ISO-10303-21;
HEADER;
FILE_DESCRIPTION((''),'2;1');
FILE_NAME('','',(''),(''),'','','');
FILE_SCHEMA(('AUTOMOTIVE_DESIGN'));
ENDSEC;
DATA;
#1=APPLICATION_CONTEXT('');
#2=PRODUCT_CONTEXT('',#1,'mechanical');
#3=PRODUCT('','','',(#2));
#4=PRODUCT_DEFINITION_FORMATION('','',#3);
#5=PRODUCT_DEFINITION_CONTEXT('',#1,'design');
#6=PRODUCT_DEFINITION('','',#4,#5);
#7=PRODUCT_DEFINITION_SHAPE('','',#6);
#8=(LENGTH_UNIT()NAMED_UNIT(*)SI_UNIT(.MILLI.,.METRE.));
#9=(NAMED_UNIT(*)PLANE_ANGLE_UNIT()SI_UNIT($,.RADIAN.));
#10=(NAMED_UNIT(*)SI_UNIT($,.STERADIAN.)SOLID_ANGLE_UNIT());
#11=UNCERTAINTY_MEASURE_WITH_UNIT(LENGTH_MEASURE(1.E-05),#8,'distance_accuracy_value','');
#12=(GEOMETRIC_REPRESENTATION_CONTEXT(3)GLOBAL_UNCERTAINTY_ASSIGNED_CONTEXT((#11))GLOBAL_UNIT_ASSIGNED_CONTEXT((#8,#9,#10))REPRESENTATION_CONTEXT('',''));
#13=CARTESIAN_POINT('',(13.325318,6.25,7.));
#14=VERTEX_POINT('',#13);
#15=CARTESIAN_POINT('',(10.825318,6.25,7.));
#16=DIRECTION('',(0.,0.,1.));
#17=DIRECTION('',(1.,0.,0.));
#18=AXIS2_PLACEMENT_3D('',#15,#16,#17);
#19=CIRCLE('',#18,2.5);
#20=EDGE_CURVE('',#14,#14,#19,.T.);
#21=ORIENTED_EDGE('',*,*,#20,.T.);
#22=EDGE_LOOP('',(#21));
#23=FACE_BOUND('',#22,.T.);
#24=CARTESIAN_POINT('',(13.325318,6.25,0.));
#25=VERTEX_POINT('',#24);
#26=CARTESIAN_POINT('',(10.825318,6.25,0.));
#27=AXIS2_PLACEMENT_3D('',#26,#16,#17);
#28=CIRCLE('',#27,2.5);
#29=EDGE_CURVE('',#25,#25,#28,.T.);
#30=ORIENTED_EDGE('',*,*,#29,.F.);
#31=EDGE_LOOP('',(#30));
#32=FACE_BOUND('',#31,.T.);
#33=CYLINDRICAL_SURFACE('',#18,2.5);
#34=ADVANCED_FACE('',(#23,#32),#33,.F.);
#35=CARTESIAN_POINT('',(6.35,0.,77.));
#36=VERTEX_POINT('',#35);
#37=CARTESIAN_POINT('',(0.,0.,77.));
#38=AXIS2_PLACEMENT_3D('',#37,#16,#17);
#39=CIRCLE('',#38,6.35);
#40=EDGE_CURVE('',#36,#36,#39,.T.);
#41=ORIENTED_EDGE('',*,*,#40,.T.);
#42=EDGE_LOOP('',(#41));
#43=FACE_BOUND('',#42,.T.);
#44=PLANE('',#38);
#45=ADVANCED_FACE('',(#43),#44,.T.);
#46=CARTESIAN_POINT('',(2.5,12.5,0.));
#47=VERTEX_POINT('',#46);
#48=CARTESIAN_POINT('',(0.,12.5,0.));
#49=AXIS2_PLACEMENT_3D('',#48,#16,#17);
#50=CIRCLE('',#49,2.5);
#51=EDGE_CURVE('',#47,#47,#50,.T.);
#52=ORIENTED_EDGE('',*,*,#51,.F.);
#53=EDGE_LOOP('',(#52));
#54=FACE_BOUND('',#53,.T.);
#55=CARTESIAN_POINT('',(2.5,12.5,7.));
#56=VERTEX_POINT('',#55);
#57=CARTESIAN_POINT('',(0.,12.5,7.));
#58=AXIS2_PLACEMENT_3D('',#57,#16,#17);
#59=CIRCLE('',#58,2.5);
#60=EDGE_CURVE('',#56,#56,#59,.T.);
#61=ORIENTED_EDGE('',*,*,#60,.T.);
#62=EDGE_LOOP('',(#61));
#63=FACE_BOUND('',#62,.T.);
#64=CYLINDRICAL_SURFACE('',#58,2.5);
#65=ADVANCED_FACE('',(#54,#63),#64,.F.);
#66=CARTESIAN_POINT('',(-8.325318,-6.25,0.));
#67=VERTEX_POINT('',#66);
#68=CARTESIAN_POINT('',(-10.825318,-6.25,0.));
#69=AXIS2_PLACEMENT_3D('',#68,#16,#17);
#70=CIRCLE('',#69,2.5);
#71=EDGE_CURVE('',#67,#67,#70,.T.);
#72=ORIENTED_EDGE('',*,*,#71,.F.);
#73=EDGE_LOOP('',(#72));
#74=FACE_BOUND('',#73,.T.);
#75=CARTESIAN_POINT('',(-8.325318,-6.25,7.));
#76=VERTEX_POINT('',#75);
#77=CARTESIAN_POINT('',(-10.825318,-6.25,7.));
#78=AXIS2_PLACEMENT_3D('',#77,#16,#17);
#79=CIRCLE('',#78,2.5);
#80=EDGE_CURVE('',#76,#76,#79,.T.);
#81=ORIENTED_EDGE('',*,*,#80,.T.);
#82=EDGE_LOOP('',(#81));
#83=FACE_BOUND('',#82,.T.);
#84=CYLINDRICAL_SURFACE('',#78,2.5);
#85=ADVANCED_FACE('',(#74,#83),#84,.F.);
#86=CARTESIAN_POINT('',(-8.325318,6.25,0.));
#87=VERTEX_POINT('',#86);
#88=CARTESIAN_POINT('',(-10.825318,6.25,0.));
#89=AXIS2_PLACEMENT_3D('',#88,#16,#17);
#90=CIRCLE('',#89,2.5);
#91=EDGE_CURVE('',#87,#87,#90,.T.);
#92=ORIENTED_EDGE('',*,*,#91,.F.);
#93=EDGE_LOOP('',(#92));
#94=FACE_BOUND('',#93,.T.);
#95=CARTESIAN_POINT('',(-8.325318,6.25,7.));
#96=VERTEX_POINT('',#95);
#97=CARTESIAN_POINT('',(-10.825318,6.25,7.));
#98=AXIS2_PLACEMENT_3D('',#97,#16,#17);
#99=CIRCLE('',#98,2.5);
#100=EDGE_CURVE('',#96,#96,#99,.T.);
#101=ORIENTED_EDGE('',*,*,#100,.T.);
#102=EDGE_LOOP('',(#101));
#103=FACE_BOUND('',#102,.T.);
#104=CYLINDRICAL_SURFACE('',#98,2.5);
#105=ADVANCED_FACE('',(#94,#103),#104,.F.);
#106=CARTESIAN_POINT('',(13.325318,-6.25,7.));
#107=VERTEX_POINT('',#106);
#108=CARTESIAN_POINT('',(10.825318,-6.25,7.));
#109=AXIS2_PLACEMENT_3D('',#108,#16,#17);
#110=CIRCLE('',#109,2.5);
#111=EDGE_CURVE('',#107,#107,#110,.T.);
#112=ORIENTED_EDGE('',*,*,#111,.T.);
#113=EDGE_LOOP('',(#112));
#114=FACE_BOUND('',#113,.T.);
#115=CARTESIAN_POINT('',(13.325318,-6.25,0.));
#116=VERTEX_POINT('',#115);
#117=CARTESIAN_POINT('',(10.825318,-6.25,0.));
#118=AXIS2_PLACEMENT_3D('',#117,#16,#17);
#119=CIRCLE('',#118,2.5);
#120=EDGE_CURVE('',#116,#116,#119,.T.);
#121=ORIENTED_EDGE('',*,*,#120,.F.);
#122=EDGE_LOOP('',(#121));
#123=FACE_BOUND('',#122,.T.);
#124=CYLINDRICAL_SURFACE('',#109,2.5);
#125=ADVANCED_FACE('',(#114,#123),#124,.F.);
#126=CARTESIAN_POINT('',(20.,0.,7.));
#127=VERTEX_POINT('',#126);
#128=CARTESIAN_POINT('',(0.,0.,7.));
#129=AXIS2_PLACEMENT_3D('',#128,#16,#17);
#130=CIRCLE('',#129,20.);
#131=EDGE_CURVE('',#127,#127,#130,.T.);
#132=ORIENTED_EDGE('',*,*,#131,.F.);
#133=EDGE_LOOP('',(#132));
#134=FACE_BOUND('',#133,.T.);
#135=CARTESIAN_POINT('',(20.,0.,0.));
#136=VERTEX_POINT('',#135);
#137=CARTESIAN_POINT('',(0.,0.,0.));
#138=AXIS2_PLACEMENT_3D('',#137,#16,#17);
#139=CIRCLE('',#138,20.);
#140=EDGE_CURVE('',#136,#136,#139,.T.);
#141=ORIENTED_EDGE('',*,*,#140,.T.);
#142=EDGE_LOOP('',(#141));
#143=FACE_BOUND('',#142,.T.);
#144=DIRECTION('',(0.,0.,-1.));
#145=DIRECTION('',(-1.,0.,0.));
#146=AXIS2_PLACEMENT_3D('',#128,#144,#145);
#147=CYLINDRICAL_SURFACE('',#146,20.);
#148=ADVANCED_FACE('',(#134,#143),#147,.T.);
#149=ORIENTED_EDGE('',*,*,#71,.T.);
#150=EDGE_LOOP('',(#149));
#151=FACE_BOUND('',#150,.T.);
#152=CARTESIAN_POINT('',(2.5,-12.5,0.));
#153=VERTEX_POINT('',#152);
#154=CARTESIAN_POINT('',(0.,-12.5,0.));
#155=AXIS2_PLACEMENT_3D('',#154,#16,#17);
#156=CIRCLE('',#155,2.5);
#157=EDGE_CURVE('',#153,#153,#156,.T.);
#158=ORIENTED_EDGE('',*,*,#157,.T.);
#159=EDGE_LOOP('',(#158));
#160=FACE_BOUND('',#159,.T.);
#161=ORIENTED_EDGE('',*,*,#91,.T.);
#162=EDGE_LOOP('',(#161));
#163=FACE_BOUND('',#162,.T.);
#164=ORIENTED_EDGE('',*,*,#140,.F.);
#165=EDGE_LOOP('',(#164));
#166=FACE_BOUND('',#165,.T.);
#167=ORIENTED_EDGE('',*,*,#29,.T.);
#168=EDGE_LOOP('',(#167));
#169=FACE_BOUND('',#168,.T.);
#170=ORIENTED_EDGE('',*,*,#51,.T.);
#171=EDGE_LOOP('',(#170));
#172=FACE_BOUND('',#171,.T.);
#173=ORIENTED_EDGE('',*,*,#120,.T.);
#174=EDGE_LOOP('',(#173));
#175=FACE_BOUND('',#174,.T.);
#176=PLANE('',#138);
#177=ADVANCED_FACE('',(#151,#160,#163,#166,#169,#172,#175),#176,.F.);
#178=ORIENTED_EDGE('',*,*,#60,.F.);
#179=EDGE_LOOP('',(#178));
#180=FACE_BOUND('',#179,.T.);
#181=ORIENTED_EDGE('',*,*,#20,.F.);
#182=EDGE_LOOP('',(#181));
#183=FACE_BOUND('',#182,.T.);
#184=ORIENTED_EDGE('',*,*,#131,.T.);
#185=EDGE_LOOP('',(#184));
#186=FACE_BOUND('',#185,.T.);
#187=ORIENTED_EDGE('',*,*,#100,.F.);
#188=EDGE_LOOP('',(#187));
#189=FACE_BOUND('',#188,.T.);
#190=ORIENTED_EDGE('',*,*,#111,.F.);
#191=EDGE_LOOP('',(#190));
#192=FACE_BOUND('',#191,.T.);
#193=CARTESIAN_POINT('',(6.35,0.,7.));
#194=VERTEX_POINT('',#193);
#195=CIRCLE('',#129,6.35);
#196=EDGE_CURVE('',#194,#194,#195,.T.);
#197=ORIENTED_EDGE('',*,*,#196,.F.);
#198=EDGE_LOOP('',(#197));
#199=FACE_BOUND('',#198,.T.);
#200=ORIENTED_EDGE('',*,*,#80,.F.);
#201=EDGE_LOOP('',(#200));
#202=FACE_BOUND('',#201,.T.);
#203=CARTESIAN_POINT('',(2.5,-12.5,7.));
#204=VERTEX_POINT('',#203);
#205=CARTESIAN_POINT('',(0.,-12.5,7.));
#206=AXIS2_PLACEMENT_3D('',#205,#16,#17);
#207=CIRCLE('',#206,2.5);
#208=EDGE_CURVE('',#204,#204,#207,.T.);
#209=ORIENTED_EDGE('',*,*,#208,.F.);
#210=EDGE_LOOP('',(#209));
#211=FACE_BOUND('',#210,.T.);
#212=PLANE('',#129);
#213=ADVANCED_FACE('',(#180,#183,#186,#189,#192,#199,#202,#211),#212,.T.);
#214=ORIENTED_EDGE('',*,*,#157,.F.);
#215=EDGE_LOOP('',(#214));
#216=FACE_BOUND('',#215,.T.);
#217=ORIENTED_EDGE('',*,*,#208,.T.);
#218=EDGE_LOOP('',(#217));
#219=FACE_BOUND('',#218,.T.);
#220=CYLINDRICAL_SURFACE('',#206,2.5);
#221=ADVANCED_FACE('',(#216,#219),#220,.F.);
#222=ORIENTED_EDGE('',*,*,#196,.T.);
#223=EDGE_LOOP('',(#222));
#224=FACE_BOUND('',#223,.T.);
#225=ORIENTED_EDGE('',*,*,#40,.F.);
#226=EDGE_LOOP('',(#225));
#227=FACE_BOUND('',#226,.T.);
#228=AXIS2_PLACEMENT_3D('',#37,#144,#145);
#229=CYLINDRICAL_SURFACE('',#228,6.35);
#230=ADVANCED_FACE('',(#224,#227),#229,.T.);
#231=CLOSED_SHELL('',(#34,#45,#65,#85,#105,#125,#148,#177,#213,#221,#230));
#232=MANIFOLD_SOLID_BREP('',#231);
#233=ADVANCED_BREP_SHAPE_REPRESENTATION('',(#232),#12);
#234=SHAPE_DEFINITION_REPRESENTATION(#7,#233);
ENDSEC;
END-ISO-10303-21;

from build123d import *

# Parameters (mm, degrees)
SKETCH1_R                   = 20
BOSS_EXTRUDE1_DEPTH         = 7
TAP_DRILL_FOR_M6X1_0_TAP1_D = 5
CIRPATTERN1_COUNT           = 6
SKETCH3_R                   = 6.35
BOSS_EXTRUDE2_DEPTH         = 70


with BuildPart() as part:
    # Sketch1 → Boss-Extrude1 (new body)
    with BuildSketch(Plane.XY):
        Circle(SKETCH1_R)
    extrude(amount=BOSS_EXTRUDE1_DEPTH)

    # Tap Drill for M6x1.0 Tap1 (through all)
    with Locations(Plane.XY.offset(7)):
        with Locations((0, 12.5)):
            tap_drill_for_m6x1_0_tap1 = Hole(TAP_DRILL_FOR_M6X1_0_TAP1_D / 2)

    # CirPattern1: Tap Drill for M6x1.0 Tap1 ×6 about axis
    cirpattern1_axis = Axis((0, 0, 0), (0, 0, 1))
    for i in range(1, CIRPATTERN1_COUNT):
        add(tap_drill_for_m6x1_0_tap1.rotate(cirpattern1_axis, i * 360 / CIRPATTERN1_COUNT), mode=Mode.SUBTRACT)

    # Sketch3 → Boss-Extrude2 (add)
    with BuildSketch(Plane.XY.offset(7)):
        Circle(SKETCH3_R)
    extrude(amount=BOSS_EXTRUDE2_DEPTH)


solid = part.part
